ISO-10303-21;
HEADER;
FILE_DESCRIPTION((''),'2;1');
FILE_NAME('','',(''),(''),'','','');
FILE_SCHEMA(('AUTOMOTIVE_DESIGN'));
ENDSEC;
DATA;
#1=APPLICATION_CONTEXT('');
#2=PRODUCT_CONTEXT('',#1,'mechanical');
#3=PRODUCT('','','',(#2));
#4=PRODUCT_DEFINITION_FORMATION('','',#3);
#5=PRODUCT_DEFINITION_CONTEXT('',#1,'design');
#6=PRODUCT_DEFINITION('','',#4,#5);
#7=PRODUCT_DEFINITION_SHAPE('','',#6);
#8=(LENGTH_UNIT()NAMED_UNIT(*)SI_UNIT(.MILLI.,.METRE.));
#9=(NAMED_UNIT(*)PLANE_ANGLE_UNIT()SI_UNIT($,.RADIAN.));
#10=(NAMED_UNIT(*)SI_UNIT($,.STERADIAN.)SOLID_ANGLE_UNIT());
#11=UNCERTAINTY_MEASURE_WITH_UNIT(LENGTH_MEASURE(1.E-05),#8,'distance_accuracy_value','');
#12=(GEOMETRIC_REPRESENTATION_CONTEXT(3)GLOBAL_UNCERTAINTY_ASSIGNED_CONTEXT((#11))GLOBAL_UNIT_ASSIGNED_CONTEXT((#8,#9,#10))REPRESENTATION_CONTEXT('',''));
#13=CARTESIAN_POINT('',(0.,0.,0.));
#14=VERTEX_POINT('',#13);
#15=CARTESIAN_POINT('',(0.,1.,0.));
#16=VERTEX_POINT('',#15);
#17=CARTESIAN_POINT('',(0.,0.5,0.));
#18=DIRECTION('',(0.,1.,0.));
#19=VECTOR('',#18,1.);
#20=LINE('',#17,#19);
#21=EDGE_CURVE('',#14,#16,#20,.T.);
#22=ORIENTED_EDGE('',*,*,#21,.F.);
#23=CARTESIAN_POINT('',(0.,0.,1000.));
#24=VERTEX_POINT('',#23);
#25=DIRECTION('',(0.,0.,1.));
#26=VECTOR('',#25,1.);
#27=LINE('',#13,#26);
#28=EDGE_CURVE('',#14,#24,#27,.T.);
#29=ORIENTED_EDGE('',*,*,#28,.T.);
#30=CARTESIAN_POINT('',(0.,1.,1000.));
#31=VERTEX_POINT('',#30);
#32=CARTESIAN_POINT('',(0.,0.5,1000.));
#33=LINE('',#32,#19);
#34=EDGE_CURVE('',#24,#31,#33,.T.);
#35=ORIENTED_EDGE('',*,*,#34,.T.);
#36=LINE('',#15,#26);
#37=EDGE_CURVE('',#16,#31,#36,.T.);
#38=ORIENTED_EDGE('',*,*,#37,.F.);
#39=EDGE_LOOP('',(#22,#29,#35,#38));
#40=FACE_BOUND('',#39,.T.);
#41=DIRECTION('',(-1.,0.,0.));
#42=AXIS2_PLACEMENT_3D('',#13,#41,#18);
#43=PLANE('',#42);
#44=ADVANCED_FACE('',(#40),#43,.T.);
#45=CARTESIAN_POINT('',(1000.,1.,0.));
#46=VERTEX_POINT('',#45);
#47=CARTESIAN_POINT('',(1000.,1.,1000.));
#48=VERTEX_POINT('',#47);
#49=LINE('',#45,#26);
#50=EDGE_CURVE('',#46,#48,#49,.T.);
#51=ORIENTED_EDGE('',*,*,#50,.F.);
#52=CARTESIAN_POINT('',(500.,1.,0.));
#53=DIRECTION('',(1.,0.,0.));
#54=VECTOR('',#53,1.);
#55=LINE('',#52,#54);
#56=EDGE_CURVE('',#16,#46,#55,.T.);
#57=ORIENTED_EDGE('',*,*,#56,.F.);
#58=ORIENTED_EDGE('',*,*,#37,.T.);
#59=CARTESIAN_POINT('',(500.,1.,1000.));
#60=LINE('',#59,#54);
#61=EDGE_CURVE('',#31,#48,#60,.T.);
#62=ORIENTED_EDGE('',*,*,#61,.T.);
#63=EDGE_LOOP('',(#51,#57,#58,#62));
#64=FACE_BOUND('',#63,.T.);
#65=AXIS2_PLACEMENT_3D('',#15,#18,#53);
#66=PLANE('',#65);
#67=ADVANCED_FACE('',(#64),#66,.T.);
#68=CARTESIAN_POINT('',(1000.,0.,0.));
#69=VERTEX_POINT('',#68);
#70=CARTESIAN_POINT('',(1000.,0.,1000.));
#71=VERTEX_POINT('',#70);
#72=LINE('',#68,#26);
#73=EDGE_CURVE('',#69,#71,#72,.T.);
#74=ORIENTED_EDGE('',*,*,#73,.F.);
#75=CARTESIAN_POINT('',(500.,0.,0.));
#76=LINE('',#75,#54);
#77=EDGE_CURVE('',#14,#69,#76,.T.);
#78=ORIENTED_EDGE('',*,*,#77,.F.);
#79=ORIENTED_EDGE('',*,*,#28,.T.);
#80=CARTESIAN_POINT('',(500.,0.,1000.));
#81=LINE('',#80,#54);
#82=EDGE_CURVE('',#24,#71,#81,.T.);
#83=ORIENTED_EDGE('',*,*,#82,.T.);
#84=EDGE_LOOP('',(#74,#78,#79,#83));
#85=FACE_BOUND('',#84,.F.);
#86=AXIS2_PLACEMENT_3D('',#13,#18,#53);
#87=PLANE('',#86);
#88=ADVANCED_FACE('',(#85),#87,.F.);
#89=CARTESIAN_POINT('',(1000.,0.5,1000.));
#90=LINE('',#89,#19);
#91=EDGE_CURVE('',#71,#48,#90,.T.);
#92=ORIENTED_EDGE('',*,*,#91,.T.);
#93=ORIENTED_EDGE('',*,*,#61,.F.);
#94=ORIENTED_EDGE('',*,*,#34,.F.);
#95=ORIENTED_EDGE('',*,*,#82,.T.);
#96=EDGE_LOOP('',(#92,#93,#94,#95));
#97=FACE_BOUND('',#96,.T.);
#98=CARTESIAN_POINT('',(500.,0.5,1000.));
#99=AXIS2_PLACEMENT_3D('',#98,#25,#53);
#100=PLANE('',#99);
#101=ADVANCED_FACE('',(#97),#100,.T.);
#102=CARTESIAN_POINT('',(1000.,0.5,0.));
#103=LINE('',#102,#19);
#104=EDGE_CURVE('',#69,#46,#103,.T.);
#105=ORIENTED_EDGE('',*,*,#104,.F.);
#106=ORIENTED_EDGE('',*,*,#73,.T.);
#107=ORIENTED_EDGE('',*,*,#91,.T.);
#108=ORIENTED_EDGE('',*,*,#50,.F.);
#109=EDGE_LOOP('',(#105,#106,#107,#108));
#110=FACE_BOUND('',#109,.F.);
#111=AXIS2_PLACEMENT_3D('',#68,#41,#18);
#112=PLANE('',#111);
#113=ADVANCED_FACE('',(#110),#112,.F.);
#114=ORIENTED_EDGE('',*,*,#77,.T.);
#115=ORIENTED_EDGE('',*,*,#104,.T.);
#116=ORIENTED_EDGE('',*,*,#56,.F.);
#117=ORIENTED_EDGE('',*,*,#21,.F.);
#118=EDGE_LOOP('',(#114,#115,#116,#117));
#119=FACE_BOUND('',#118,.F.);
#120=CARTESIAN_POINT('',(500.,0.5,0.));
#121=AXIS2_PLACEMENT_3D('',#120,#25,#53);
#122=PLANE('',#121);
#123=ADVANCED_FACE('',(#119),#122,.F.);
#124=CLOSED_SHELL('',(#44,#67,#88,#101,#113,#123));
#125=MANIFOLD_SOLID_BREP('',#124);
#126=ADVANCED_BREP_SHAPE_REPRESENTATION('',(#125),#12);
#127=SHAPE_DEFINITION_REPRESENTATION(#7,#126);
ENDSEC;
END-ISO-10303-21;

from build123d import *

# Parameters (mm, degrees)
SKETCH1_W           = 1000
SKETCH1_H           = 1
BOSS_EXTRUDE1_DEPTH = 1000


with BuildPart() as part:
    # Sketch1 → Boss-Extrude1 (new body)
    with BuildSketch(Plane.XY):
        with Locations((500, 0.5)):
            Rectangle(SKETCH1_W, SKETCH1_H)
    extrude(amount=BOSS_EXTRUDE1_DEPTH)


solid = part.part
